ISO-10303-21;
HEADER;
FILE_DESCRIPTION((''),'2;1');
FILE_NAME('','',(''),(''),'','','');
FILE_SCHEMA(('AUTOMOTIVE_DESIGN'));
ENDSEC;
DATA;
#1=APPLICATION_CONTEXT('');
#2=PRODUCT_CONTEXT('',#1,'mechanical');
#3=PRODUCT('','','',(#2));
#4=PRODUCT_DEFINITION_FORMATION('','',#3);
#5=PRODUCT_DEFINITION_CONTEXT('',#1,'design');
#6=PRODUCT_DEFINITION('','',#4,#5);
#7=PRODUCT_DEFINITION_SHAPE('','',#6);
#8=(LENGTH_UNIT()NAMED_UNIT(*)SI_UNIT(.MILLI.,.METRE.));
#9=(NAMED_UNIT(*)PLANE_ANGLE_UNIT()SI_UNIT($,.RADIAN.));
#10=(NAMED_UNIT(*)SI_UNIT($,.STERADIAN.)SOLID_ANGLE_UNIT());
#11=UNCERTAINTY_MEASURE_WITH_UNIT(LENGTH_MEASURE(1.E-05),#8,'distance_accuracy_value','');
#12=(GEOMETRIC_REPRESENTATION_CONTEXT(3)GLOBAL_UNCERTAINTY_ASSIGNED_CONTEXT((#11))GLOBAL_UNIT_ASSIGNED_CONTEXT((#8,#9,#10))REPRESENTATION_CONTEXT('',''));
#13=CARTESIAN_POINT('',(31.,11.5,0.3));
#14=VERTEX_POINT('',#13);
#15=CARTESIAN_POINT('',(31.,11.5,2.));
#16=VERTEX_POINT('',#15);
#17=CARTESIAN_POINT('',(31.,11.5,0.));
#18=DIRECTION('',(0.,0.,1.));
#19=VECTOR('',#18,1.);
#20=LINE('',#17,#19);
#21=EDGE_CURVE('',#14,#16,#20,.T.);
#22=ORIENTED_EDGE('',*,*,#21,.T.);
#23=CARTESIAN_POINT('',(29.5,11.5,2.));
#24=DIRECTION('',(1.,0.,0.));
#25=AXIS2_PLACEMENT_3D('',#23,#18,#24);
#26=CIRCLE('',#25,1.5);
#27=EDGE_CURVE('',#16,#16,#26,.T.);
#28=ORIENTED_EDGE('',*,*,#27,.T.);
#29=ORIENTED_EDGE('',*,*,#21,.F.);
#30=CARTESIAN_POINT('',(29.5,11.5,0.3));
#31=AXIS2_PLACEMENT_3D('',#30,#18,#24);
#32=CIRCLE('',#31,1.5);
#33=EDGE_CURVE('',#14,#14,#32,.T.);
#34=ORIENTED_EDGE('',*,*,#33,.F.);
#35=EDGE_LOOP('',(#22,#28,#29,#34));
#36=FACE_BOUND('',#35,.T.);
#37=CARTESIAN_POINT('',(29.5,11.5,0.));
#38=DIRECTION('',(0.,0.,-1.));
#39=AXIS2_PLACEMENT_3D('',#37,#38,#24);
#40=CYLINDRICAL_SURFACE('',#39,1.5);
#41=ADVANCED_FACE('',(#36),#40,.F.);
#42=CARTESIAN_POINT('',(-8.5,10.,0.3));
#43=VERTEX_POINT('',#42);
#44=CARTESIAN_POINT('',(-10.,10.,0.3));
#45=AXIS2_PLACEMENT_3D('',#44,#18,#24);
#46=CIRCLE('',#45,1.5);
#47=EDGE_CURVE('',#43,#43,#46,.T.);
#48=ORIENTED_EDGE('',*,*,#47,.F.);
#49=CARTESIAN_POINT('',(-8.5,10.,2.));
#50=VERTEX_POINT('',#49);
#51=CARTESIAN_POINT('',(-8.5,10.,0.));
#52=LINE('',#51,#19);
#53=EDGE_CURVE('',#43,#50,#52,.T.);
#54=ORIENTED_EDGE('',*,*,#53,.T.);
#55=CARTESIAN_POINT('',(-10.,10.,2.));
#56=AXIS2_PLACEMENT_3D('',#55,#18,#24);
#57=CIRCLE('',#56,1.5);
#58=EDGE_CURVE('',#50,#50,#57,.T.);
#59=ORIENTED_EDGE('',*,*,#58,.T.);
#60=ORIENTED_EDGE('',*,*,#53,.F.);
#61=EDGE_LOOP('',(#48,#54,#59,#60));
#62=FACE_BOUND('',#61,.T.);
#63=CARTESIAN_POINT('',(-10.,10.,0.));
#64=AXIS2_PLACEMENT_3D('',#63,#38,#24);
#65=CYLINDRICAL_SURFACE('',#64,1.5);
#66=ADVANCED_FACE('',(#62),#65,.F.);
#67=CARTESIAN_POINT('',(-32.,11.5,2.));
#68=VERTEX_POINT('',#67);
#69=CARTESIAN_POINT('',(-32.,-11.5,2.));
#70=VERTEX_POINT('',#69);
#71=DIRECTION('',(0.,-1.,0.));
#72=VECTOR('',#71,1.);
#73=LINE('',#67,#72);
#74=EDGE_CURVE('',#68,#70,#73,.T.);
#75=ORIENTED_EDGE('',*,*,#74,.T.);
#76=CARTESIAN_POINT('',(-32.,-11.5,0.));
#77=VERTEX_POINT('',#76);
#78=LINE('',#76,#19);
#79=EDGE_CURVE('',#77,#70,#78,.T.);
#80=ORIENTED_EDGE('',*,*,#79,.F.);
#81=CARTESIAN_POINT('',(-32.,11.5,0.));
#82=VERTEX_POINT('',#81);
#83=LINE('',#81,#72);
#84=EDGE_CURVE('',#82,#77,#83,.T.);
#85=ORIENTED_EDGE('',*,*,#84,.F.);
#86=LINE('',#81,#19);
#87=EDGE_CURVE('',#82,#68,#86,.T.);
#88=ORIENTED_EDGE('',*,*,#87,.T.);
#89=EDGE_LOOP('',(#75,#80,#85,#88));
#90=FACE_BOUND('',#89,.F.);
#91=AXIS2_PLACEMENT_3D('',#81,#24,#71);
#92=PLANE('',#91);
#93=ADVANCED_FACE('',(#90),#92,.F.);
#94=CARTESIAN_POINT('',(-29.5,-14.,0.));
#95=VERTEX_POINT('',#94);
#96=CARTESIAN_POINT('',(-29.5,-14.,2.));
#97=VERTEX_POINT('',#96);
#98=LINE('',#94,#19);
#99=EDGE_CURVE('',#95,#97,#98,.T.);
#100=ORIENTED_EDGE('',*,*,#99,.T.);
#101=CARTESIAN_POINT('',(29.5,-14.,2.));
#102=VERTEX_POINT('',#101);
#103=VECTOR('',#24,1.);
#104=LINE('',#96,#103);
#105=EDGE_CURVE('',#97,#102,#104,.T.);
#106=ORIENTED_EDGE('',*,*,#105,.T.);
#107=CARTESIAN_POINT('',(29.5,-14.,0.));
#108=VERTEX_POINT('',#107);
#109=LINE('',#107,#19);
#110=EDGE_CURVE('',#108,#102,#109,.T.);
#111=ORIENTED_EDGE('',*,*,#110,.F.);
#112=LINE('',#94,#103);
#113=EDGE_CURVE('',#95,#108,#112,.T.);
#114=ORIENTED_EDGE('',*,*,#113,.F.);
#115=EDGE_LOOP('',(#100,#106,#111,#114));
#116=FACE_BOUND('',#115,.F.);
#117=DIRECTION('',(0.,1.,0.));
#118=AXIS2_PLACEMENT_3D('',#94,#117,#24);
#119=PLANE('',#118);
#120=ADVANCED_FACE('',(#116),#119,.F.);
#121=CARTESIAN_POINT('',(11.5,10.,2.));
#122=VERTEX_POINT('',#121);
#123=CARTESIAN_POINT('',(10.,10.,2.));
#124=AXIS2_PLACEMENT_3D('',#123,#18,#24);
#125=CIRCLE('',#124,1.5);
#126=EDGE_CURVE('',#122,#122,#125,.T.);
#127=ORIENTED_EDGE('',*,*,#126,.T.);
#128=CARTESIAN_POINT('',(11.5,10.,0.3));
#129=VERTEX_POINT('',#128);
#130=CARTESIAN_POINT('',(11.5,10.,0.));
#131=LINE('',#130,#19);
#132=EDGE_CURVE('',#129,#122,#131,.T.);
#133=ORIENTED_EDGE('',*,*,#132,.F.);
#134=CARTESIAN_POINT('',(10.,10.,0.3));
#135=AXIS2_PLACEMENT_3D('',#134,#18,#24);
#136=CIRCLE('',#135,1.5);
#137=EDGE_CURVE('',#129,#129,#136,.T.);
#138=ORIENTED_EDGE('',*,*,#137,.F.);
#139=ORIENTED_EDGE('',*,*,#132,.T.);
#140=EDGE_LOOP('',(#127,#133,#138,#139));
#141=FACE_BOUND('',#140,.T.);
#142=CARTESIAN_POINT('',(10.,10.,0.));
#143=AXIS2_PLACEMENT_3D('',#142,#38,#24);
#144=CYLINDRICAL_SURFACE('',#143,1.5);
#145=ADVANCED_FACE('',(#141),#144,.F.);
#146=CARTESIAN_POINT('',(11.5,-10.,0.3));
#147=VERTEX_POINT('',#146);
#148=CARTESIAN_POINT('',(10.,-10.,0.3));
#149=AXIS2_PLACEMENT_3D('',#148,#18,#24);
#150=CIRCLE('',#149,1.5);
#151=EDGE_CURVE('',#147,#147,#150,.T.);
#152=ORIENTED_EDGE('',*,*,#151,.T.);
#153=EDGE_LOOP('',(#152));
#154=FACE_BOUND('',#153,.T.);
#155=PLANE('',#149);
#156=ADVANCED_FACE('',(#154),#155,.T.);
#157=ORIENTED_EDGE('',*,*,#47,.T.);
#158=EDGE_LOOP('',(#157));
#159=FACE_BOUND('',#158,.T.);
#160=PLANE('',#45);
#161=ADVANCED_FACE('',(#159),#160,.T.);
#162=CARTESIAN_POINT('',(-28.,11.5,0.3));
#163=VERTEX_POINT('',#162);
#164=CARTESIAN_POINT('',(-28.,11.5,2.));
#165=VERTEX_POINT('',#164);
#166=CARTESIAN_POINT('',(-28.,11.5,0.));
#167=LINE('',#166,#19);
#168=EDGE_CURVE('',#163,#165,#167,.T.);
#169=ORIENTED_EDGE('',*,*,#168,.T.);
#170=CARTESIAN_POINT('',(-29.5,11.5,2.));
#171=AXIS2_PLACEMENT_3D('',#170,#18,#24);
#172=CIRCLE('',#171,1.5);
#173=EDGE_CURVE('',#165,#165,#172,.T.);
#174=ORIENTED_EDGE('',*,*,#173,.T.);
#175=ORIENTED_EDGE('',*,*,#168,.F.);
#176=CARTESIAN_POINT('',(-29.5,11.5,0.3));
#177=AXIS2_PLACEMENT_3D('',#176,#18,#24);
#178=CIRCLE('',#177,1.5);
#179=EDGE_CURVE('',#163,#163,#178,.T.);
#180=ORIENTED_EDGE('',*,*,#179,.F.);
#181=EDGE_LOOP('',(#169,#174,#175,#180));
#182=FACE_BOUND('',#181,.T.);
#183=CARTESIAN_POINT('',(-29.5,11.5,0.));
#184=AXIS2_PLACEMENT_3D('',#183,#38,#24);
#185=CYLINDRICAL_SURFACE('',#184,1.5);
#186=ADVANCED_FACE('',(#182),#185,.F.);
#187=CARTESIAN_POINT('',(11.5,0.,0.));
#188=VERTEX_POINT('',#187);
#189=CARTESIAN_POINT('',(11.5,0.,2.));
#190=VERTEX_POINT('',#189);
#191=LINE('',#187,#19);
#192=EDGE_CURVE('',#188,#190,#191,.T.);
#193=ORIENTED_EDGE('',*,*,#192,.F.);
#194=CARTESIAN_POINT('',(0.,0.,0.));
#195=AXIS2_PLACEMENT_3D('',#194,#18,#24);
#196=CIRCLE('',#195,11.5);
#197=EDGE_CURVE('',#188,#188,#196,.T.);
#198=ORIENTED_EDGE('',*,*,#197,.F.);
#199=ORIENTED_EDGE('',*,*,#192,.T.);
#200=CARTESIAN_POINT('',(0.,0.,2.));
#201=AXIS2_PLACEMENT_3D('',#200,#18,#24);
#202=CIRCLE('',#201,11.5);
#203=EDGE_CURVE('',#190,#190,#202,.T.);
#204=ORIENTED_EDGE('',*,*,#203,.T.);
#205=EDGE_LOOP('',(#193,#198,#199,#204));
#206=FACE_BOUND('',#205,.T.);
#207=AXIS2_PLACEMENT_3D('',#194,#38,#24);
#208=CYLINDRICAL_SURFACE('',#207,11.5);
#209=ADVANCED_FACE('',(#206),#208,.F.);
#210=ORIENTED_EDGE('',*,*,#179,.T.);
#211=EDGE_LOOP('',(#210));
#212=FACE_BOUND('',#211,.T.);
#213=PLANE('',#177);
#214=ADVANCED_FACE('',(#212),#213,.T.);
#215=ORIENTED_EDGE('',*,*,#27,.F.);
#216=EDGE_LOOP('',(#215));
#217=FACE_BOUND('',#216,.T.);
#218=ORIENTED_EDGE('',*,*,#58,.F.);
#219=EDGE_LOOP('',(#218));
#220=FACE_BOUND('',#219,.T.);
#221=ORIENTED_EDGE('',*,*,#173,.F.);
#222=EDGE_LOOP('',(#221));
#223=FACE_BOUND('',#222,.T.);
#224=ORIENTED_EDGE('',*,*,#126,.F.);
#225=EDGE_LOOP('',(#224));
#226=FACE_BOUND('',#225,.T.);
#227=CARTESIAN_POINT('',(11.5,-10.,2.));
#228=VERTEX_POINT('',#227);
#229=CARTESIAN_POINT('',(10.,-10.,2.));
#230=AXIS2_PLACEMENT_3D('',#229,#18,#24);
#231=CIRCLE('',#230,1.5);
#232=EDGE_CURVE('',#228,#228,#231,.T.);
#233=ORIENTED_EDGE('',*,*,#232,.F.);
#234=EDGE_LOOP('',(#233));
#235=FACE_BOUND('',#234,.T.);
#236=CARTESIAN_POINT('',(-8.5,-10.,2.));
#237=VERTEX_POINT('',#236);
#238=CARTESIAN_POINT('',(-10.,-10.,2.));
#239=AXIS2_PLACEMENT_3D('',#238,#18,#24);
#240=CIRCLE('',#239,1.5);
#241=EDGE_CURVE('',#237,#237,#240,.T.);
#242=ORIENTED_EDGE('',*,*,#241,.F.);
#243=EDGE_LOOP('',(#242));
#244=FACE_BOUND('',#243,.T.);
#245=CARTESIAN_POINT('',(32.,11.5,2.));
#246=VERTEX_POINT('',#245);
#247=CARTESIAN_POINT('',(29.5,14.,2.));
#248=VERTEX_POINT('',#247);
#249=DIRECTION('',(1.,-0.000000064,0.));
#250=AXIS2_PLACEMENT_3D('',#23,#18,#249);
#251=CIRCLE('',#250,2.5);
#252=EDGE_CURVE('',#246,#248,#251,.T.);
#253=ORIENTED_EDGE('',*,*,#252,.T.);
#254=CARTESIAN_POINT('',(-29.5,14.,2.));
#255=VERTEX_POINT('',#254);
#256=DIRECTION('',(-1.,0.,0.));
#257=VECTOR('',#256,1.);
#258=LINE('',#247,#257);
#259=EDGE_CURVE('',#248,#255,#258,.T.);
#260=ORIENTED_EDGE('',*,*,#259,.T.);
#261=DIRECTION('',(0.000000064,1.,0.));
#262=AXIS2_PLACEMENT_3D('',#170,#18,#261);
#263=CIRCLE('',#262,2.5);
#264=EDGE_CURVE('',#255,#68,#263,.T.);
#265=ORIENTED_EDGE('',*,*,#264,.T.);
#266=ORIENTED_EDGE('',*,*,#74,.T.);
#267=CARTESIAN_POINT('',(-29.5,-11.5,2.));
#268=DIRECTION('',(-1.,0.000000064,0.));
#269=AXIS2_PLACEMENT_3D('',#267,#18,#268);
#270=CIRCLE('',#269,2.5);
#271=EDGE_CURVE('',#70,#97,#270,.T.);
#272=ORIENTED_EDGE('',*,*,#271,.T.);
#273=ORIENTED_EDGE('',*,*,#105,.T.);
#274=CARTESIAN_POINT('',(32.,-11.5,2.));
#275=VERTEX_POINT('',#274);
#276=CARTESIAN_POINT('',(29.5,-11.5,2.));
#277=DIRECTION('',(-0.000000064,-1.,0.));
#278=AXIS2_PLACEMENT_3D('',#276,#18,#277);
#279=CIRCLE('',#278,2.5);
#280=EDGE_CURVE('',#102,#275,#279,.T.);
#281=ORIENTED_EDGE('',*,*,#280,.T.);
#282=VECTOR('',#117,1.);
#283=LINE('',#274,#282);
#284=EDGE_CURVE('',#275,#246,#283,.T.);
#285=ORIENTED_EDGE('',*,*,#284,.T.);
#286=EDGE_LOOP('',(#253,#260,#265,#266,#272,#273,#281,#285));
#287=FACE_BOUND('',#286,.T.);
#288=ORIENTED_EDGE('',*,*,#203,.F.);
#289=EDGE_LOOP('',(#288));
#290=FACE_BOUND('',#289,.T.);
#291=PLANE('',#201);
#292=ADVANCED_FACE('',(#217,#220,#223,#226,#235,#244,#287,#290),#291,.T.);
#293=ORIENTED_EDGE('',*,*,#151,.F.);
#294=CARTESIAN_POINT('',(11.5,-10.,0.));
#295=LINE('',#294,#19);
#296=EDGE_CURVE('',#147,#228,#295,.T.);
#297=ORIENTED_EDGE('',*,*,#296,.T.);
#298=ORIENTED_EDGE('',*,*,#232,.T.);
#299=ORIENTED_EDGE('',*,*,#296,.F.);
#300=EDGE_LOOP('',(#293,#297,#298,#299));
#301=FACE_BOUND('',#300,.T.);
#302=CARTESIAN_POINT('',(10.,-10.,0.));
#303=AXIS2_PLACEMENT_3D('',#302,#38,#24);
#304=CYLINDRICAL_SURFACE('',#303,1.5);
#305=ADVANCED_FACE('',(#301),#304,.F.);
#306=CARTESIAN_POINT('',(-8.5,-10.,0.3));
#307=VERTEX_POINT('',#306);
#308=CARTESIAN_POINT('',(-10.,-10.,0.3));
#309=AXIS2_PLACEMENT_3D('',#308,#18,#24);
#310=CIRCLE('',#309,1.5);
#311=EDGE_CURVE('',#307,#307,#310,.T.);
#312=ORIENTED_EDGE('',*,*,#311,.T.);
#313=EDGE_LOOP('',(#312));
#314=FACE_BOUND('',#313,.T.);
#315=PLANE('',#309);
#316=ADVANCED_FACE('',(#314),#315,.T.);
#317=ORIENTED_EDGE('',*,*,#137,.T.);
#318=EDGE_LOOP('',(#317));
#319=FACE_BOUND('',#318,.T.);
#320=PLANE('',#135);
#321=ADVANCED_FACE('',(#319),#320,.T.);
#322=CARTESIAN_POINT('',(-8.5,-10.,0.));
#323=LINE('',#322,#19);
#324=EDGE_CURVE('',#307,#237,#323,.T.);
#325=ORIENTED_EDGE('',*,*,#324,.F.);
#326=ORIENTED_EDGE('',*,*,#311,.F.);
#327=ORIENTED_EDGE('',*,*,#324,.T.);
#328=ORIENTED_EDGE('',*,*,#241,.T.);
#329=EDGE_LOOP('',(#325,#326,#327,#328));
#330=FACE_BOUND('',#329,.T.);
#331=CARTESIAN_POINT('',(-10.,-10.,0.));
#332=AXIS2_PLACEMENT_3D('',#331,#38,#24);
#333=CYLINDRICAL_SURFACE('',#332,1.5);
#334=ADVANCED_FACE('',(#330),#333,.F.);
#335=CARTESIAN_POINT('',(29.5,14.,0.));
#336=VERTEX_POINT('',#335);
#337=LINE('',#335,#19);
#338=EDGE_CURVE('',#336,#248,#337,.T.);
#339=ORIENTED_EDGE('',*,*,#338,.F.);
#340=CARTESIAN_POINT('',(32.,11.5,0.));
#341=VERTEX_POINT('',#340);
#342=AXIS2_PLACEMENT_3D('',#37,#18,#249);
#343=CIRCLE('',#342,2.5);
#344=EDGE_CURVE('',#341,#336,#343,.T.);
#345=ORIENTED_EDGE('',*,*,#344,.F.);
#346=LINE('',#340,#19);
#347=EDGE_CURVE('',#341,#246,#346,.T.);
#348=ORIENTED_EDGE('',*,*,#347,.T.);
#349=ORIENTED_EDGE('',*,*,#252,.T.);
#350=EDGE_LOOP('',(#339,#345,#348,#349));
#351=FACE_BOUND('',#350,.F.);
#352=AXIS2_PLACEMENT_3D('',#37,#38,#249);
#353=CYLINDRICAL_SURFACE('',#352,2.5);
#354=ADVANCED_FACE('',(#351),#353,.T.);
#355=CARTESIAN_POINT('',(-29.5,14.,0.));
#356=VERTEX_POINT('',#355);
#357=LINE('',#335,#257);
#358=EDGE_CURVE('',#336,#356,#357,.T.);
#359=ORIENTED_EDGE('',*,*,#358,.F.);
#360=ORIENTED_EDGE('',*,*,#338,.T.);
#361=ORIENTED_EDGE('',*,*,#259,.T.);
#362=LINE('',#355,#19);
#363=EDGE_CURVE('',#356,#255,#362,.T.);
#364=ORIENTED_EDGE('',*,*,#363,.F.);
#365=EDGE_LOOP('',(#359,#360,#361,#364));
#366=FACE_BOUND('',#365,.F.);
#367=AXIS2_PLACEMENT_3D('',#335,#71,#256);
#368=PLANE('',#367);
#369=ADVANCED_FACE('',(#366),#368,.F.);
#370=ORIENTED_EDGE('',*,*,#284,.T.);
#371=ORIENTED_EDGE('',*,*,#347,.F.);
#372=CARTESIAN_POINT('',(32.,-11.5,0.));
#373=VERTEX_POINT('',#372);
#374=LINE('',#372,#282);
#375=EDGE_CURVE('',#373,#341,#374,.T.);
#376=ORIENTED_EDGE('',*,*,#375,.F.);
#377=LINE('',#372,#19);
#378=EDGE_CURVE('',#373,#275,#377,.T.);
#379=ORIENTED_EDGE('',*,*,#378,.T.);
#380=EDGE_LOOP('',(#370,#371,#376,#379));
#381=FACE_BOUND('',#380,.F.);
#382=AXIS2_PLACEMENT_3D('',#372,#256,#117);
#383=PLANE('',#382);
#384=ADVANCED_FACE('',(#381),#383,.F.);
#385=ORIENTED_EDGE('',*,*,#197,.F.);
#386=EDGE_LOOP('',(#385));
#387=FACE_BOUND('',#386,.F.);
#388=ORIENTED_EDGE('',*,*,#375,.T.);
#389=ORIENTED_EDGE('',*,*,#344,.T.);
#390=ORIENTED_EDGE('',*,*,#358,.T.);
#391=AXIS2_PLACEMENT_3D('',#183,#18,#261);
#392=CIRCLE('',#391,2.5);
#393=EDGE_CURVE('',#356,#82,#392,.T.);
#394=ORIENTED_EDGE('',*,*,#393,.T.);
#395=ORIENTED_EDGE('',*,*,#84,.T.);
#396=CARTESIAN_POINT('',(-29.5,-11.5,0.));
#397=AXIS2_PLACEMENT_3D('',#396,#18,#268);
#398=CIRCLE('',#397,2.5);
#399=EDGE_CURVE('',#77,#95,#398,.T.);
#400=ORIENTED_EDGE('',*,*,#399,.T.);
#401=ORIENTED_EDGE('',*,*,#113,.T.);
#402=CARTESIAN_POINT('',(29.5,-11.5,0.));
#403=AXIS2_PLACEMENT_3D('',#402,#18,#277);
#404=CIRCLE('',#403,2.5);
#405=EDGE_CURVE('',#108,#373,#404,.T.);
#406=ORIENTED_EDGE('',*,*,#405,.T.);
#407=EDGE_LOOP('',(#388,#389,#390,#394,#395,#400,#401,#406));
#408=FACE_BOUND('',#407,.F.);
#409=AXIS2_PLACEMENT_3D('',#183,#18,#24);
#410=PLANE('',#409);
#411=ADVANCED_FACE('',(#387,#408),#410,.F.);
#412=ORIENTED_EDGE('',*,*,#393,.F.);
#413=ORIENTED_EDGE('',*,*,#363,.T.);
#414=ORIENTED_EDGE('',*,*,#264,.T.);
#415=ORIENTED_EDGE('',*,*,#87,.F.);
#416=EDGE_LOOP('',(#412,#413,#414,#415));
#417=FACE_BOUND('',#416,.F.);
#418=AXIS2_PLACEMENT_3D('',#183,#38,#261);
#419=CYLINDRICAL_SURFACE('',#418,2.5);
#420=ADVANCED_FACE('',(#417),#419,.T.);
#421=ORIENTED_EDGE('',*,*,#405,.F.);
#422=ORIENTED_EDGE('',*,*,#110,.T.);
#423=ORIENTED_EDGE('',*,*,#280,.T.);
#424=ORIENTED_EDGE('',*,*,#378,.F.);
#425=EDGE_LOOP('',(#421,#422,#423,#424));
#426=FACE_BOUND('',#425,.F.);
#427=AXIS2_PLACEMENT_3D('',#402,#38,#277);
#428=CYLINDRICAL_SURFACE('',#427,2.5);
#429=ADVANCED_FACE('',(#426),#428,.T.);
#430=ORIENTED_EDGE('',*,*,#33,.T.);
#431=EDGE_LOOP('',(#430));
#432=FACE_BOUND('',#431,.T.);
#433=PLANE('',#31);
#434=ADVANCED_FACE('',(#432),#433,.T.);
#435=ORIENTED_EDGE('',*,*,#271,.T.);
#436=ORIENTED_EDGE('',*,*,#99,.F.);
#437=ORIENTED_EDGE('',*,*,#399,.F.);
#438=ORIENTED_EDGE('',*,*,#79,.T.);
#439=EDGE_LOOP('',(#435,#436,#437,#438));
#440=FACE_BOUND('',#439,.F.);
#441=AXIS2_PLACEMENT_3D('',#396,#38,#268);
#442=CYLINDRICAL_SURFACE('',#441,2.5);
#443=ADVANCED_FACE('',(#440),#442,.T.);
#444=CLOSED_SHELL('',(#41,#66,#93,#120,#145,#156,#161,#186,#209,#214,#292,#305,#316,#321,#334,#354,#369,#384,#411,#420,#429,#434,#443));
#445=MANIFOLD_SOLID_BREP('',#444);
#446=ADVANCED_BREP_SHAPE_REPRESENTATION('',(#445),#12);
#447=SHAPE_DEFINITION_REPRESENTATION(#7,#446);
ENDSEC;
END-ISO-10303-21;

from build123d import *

# Parameters (mm, degrees)
F0_R     = 1.5
F0_R_2   = 11.5
F1_DEPTH = 2
F2_DEPTH = 0.3


with BuildPart() as f1:
    # F0 (on Top) → F1 (new body)
    with BuildSketch(Plane.XY):
        with BuildLine():
            ThreePointArc((32, 11.5), (31.267767, 13.267767), (29.5, 14))
            Line((29.5, 14), (-29.5, 14))
            ThreePointArc((-29.5, 14), (-31.267767, 13.267767), (-32, 11.5))
            Line((-32, 11.5), (-32, -11.5))
            ThreePointArc((-32, -11.5), (-31.267767, -13.267767), (-29.5, -14))
            Line((-29.5, -14), (29.5, -14))
            ThreePointArc((29.5, -14), (31.267767, -13.267767), (32, -11.5))
            Line((32, -11.5), (32, 11.5))
        make_face()
        with Locations((-10, -10)):
            Circle(F0_R, mode=Mode.SUBTRACT)
        with Locations((10, -10)):
            Circle(F0_R, mode=Mode.SUBTRACT)
        with Locations((-29.5, 11.5)):
            Circle(F0_R, mode=Mode.SUBTRACT)
        with Locations((-10, 10)):
            Circle(F0_R, mode=Mode.SUBTRACT)
        Circle(F0_R_2, mode=Mode.SUBTRACT)
        with Locations((10, 10)):
            Circle(F0_R, mode=Mode.SUBTRACT)
        with Locations((29.5, 11.5)):
            Circle(F0_R, mode=Mode.SUBTRACT)
    extrude(amount=F1_DEPTH)

    # F0 (on Top) → F2 (join)
    with BuildSketch(Plane.XY):
        with Locations((-29.5, 11.5)):
            Circle(F0_R)
        with Locations((-10, 10)):
            Circle(F0_R)
        with Locations((10, 10)):
            Circle(F0_R)
        with Locations((29.5, 11.5)):
            Circle(F0_R)
        with Locations((10, -10)):
            Circle(F0_R)
        with Locations((-10, -10)):
            Circle(F0_R)
    extrude(amount=F2_DEPTH)


solid = f1.part
